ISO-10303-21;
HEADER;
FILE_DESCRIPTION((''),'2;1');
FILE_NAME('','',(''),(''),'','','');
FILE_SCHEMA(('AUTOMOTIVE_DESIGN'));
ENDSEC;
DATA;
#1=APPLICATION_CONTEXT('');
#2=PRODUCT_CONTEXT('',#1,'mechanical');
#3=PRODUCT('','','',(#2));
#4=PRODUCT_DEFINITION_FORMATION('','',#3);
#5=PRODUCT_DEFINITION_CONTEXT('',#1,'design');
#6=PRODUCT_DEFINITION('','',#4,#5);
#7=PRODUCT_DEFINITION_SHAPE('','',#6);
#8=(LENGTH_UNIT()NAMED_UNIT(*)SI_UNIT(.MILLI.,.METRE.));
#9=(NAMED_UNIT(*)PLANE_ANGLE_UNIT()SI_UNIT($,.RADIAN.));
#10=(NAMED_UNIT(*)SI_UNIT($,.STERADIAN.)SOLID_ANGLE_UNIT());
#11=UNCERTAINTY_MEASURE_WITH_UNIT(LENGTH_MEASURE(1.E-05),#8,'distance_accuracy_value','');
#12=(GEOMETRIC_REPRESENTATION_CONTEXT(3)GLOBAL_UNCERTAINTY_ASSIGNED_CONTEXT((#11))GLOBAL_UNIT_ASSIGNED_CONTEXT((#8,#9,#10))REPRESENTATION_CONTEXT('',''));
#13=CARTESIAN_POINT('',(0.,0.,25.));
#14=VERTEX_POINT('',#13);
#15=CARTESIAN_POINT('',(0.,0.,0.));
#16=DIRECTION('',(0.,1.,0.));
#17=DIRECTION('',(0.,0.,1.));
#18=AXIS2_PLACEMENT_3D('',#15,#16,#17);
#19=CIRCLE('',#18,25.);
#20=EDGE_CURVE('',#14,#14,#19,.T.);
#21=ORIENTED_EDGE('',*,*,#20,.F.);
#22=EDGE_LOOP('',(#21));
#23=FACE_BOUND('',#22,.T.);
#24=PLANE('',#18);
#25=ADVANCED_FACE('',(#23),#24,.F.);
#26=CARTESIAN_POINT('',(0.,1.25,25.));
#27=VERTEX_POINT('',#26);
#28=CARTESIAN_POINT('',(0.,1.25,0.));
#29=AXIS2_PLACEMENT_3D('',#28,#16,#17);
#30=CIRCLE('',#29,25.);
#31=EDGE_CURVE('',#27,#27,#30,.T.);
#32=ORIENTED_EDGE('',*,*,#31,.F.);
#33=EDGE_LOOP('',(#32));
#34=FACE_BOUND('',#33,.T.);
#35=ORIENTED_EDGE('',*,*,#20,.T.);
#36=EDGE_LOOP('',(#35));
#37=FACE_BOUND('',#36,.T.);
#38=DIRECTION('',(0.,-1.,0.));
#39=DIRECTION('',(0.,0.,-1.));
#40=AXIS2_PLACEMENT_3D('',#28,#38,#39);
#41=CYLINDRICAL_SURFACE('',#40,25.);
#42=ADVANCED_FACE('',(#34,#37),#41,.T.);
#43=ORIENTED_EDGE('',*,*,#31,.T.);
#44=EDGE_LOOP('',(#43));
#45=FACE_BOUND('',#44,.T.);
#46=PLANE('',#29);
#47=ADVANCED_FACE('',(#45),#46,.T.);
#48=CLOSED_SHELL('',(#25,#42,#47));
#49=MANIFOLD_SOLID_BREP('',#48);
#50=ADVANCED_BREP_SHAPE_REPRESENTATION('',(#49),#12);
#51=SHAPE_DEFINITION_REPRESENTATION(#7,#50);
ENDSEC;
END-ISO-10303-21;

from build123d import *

# Parameters (mm, degrees)
SKETCH_1_R      = 25
EXTRUDE_1_DEPTH = 1.25


with BuildPart() as part:
    # 草图1 → 凸台-拉伸1 (new body)
    with BuildSketch(Plane(origin=(0, 0, 0), x_dir=(1, 0, 0), z_dir=(0, 1, 0))):
        with Locations(Location((0, 0, 0), (0, 0, 270))):  # turned: the seam where the file's is
            Circle(SKETCH_1_R)
    extrude(amount=EXTRUDE_1_DEPTH)


solid = part.part
